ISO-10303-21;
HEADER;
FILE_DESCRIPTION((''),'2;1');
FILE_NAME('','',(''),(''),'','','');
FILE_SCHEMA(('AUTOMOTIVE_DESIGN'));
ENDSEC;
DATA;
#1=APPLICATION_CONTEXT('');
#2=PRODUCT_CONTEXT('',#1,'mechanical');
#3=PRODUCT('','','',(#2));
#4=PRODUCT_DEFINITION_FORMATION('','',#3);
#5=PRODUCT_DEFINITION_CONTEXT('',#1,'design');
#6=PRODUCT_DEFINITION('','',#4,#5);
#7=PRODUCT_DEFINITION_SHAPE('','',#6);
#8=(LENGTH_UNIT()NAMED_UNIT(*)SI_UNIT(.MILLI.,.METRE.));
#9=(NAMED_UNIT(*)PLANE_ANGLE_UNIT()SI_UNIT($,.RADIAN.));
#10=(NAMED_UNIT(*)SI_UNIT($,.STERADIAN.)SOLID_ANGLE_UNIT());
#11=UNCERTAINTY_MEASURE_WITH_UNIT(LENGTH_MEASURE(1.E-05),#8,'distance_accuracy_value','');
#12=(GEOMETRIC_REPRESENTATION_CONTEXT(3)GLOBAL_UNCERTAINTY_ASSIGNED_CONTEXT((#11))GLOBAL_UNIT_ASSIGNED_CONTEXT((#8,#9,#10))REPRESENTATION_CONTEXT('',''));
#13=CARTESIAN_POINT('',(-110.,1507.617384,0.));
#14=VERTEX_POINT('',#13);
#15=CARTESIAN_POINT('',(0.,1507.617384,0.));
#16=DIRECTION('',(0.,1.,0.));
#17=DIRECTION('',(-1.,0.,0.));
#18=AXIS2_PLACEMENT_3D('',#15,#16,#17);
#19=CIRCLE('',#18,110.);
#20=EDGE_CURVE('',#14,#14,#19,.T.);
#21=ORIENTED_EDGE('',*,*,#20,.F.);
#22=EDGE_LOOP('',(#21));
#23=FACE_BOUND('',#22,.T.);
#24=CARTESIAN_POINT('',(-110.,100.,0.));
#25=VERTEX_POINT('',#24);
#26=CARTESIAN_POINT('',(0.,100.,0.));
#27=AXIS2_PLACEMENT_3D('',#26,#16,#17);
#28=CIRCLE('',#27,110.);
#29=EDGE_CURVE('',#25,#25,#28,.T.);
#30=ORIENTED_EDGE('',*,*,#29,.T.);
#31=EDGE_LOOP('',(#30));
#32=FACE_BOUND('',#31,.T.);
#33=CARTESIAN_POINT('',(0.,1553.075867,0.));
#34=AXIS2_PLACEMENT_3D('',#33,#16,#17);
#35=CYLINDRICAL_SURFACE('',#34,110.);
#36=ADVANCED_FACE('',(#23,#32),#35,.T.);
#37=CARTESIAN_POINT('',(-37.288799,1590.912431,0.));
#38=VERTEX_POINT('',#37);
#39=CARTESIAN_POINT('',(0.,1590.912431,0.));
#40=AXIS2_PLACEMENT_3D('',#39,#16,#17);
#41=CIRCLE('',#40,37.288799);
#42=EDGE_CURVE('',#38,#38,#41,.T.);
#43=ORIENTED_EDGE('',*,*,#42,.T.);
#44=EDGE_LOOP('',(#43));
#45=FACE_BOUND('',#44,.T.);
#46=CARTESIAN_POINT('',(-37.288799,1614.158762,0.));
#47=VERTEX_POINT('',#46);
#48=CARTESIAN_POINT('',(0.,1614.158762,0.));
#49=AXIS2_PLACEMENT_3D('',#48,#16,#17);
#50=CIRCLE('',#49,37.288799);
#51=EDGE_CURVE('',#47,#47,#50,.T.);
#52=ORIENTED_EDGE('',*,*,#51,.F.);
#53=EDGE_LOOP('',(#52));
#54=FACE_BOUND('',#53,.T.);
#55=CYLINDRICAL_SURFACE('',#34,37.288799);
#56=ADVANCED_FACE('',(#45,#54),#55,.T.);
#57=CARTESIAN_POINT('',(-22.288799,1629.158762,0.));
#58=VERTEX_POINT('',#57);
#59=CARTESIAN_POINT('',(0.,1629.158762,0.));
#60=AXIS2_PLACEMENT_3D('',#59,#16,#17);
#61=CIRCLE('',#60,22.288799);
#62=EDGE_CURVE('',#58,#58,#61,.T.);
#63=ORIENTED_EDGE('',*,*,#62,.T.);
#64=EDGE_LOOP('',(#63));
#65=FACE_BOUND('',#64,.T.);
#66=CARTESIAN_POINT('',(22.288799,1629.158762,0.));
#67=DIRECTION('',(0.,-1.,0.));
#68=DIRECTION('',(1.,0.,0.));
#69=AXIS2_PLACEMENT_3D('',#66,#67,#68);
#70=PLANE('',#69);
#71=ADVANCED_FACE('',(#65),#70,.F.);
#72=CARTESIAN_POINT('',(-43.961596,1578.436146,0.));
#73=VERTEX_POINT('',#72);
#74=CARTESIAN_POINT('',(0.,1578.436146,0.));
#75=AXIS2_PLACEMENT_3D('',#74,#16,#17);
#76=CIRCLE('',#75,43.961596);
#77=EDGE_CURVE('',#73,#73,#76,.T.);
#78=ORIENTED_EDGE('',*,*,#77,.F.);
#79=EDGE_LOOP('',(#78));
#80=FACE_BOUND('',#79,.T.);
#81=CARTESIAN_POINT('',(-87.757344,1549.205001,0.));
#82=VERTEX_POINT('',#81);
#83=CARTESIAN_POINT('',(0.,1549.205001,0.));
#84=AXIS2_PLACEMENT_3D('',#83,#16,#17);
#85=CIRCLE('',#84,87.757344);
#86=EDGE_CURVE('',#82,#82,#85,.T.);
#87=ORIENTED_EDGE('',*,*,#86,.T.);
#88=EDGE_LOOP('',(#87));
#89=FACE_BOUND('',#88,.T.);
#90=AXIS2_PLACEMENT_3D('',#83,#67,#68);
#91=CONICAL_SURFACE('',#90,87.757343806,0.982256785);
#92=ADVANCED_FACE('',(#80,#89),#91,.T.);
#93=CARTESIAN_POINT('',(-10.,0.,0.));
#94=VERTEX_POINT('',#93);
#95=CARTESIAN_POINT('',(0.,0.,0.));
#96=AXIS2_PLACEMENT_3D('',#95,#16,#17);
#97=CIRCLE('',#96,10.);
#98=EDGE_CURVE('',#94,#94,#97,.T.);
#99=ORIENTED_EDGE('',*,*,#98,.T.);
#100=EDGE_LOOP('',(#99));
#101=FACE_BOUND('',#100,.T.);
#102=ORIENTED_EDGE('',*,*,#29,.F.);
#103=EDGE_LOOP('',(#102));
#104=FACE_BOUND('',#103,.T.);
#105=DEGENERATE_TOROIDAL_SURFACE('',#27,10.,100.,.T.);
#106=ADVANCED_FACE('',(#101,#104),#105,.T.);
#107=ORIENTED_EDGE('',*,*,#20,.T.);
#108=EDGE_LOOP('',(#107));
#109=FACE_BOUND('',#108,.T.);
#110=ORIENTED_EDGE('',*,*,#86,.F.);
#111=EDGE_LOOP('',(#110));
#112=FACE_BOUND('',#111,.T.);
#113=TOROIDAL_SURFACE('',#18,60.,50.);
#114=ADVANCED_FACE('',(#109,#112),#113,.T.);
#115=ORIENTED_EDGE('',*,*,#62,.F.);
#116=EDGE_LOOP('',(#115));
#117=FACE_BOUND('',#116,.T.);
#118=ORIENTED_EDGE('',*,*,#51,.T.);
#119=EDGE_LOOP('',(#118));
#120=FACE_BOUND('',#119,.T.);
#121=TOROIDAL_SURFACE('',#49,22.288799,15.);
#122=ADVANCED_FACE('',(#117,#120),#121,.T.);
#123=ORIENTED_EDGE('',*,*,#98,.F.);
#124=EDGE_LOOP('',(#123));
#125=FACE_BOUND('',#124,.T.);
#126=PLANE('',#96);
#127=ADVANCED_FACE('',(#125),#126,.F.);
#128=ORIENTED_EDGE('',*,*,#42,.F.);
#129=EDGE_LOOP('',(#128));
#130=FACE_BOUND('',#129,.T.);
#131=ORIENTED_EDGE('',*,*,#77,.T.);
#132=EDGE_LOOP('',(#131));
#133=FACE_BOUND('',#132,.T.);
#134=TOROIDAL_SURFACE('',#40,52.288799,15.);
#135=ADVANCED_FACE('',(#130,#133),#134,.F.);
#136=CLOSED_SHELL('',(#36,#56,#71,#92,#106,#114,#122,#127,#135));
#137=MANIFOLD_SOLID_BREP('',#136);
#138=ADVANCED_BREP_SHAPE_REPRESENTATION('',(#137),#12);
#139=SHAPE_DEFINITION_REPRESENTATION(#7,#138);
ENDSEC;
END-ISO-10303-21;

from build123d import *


with BuildPart() as part:
    # Эскиз1 → Повернуть1 (revolve)
    with BuildSketch(Plane.XY):
        with BuildLine():
            Line((0, 0), (10, 0))
            ThreePointArc((10, 0), (80.710678119, 29.289321881), (110, 100))
            Line((110, 100), (110, 1507.617384372))
            ThreePointArc((110, 1507.617384372), (104.090062317, 1531.198444671), (87.757343806, 1549.205001097))
            Line((87.757343806, 1549.205001097), (43.961595612, 1578.436145741))
            ThreePointArc((43.961595612, 1578.436145741), (39.061780059, 1583.838112668), (37.288798754, 1590.912430758))
            Line((37.288798754, 1590.912430758), (37.288798754, 1614.158761672))
            ThreePointArc((37.288798754, 1614.158761672), (32.895400472, 1624.76536339), (22.288798754, 1629.158761672))
            Line((22.288798754, 1629.158761672), (0, 1629.158761672))
            Line((0, 1629.158761672), (0, 0))
        make_face()
    revolve(axis=Axis((0, 1553.075867376, 0), (0, -1, 0)))


solid = part.part
